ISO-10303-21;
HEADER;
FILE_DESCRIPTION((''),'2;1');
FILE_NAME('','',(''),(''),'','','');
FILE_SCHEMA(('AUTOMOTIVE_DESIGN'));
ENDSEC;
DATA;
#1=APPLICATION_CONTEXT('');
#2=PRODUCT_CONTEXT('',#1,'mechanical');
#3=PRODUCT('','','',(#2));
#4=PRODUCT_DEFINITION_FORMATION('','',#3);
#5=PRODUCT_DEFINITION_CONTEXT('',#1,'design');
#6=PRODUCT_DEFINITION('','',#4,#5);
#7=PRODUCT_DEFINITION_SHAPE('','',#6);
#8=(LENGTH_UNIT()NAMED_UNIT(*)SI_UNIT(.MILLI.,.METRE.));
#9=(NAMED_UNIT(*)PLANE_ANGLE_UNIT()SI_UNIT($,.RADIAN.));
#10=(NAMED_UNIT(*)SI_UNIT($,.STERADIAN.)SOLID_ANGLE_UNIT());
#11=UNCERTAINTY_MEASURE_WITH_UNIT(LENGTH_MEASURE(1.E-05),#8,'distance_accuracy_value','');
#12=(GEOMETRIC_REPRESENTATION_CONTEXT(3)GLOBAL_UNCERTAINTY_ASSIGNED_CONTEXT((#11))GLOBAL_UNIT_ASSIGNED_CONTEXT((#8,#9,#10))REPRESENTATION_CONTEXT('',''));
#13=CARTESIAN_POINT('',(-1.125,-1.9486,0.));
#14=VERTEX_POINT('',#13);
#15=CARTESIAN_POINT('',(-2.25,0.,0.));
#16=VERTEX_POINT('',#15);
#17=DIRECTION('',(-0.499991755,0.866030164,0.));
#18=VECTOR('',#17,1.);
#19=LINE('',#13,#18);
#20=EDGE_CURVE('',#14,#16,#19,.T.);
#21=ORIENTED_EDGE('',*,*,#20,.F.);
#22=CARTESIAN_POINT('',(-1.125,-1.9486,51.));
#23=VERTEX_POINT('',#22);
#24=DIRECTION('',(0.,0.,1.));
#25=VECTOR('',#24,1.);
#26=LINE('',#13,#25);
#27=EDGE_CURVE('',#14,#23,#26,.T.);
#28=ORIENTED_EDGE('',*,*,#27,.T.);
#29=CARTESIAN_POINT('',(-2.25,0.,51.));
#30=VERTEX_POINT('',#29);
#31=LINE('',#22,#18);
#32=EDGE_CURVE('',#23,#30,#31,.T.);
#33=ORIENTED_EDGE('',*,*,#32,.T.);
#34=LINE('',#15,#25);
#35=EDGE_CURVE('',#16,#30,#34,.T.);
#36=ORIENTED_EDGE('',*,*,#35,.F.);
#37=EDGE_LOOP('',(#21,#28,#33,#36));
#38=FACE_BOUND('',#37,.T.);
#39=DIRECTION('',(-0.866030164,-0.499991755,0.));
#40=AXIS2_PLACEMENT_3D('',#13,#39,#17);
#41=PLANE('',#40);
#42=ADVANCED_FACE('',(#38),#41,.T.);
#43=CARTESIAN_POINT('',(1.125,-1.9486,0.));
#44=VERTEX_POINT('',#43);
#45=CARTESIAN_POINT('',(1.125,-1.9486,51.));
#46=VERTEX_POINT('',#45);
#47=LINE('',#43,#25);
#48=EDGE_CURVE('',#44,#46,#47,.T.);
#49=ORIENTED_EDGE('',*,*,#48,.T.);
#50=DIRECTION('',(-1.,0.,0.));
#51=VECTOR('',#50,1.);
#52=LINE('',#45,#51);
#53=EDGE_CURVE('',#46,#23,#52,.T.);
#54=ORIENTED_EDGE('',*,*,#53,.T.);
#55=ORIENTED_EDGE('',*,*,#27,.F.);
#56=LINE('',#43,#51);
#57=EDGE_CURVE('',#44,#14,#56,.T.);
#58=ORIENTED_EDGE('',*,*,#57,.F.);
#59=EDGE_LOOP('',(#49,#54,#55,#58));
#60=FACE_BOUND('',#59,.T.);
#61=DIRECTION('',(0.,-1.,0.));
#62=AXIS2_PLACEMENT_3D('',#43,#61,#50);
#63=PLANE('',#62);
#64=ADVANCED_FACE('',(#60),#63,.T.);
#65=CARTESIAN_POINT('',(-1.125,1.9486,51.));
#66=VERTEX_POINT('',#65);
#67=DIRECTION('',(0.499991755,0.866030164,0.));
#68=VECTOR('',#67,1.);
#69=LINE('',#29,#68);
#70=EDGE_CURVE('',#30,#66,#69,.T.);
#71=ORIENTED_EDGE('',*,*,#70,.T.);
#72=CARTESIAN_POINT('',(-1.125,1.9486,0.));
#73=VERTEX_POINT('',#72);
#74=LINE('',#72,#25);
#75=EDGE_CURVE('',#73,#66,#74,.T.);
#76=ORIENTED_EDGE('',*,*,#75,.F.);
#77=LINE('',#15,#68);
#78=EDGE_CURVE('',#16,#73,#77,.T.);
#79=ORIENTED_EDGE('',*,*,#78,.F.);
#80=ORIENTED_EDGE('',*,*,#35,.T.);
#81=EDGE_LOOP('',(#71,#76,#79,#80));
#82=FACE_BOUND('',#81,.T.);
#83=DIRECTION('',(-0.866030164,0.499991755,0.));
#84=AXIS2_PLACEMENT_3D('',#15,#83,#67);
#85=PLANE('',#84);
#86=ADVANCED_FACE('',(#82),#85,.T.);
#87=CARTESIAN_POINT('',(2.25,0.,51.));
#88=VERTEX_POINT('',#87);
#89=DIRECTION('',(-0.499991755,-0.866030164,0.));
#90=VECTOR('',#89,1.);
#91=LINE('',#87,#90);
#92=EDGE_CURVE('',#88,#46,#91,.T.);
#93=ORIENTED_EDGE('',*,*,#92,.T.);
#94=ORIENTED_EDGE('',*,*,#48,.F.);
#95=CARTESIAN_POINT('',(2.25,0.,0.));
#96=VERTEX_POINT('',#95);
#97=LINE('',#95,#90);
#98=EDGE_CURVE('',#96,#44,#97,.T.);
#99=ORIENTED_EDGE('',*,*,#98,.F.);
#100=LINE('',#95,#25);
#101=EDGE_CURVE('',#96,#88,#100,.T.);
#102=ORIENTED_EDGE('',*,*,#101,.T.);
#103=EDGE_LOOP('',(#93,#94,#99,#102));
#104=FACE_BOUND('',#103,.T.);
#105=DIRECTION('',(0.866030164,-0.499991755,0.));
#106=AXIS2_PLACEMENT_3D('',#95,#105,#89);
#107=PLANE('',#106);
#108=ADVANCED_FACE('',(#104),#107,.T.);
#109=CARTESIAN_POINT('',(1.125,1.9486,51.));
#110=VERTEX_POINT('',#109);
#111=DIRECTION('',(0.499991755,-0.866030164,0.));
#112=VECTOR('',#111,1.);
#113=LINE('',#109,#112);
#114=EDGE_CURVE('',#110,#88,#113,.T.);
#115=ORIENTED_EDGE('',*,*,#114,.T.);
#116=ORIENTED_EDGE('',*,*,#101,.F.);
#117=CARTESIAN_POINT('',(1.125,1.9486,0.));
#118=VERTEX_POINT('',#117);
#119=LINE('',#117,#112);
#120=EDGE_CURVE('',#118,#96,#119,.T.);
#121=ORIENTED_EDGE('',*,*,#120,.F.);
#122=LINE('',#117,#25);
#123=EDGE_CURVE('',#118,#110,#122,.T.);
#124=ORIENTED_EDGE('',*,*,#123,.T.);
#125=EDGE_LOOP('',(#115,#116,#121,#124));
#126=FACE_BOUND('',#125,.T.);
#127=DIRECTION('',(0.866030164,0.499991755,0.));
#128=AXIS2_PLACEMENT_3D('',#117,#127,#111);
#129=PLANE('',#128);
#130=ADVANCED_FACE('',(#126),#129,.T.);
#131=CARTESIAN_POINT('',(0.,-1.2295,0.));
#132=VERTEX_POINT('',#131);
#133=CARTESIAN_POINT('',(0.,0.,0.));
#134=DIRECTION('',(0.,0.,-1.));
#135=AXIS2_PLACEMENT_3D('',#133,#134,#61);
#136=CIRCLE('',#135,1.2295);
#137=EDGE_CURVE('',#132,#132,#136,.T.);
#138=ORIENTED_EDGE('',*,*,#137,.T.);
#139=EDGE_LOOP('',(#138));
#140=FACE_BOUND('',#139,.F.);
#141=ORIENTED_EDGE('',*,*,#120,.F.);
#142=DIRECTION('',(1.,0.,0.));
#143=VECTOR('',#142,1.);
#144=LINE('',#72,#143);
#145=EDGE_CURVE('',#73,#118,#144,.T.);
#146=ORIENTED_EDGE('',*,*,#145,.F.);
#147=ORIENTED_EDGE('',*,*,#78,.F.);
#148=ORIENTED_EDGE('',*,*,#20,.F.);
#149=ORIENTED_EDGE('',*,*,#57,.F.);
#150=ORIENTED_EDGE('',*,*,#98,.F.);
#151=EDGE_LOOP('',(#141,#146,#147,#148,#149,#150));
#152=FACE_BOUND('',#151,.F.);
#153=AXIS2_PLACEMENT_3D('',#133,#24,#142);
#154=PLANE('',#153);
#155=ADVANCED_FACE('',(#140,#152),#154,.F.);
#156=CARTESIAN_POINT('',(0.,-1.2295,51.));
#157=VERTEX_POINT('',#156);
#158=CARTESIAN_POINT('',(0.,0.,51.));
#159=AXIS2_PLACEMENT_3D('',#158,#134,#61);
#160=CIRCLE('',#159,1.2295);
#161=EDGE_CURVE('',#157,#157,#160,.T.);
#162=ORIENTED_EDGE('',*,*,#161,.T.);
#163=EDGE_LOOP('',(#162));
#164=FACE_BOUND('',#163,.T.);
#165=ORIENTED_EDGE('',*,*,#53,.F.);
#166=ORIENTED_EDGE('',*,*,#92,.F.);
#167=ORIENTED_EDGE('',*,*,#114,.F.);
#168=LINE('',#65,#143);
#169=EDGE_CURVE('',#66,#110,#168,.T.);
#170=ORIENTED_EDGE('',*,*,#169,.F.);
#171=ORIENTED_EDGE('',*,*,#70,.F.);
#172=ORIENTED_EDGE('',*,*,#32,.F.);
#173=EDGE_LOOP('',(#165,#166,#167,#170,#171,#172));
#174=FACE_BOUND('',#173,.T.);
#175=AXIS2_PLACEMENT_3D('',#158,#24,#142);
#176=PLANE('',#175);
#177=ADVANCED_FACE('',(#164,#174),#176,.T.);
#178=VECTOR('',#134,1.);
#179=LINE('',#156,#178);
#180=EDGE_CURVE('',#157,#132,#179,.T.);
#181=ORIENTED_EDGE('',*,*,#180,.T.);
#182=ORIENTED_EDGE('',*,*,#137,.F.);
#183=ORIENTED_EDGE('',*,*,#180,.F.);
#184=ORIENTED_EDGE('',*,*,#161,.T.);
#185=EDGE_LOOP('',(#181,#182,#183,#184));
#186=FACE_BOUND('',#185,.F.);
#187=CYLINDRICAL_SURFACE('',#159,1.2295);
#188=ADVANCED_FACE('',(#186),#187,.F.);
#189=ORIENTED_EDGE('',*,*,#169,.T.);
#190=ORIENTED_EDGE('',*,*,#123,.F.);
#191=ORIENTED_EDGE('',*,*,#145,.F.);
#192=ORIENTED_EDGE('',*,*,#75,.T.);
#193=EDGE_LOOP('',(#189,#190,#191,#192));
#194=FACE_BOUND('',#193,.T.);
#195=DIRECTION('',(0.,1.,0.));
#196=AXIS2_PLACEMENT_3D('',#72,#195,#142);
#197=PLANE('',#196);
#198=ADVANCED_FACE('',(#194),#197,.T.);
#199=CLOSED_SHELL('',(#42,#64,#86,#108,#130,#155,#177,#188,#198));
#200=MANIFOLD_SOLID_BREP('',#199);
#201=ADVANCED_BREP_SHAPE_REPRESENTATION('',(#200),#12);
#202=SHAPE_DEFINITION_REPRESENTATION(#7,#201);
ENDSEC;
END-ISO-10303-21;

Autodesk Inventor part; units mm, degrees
ref_plane "YZ Plane" through (0, 0, 0) normal (1, 0, 0) x (0, 1, 0)
ref_plane "XZ Plane" through (0, 0, 0) normal (0, 1, 0) x (-1, 0, 0)
ref_plane "XY Plane" through (0, 0, 0) normal (0, 0, 1) x (1, 0, 0)
sketch "Base" plane through (0, 0, 0) normal (0, 0, 1) x (1, 0, 0)
  circle A0 centre (0, 0) radius 1.5 construction
  circle A1 centre (0, 0) radius 2.25 construction
  line L0 (1.125, 1.9486) -> (2.25, 0)
  line L1 (2.25, 0) -> (1.125, -1.9486)
  line L2 (1.125, -1.9486) -> (-1.125, -1.9486)
  line L3 (-1.125, -1.9486) -> (-2.25, 0)
  line L4 (-2.25, 0) -> (-1.125, 1.9486)
  line L5 (-1.125, 1.9486) -> (1.125, 1.9486)
  line L6 (-3.15, 0) -> (3.15, 0) projected
  dimension "d1" = 4.5
  dimension "d0" = 3
extrude "BaseFeature" add sketch "Base" along normal blind 51
sketch "MountHole" plane through (0, 0, 51) normal (0, 0, 1) x (1, 0, 0)
  point P0 (0, 0)
hole "MountHoleFeature" at (0, 0, 51) direction (0, 0, -1) diameter 2.459 end through all thread size "M3x0.5" class "6H" standard "ISO Metric profile"
properties part number "M3-Standoff-51mm"
